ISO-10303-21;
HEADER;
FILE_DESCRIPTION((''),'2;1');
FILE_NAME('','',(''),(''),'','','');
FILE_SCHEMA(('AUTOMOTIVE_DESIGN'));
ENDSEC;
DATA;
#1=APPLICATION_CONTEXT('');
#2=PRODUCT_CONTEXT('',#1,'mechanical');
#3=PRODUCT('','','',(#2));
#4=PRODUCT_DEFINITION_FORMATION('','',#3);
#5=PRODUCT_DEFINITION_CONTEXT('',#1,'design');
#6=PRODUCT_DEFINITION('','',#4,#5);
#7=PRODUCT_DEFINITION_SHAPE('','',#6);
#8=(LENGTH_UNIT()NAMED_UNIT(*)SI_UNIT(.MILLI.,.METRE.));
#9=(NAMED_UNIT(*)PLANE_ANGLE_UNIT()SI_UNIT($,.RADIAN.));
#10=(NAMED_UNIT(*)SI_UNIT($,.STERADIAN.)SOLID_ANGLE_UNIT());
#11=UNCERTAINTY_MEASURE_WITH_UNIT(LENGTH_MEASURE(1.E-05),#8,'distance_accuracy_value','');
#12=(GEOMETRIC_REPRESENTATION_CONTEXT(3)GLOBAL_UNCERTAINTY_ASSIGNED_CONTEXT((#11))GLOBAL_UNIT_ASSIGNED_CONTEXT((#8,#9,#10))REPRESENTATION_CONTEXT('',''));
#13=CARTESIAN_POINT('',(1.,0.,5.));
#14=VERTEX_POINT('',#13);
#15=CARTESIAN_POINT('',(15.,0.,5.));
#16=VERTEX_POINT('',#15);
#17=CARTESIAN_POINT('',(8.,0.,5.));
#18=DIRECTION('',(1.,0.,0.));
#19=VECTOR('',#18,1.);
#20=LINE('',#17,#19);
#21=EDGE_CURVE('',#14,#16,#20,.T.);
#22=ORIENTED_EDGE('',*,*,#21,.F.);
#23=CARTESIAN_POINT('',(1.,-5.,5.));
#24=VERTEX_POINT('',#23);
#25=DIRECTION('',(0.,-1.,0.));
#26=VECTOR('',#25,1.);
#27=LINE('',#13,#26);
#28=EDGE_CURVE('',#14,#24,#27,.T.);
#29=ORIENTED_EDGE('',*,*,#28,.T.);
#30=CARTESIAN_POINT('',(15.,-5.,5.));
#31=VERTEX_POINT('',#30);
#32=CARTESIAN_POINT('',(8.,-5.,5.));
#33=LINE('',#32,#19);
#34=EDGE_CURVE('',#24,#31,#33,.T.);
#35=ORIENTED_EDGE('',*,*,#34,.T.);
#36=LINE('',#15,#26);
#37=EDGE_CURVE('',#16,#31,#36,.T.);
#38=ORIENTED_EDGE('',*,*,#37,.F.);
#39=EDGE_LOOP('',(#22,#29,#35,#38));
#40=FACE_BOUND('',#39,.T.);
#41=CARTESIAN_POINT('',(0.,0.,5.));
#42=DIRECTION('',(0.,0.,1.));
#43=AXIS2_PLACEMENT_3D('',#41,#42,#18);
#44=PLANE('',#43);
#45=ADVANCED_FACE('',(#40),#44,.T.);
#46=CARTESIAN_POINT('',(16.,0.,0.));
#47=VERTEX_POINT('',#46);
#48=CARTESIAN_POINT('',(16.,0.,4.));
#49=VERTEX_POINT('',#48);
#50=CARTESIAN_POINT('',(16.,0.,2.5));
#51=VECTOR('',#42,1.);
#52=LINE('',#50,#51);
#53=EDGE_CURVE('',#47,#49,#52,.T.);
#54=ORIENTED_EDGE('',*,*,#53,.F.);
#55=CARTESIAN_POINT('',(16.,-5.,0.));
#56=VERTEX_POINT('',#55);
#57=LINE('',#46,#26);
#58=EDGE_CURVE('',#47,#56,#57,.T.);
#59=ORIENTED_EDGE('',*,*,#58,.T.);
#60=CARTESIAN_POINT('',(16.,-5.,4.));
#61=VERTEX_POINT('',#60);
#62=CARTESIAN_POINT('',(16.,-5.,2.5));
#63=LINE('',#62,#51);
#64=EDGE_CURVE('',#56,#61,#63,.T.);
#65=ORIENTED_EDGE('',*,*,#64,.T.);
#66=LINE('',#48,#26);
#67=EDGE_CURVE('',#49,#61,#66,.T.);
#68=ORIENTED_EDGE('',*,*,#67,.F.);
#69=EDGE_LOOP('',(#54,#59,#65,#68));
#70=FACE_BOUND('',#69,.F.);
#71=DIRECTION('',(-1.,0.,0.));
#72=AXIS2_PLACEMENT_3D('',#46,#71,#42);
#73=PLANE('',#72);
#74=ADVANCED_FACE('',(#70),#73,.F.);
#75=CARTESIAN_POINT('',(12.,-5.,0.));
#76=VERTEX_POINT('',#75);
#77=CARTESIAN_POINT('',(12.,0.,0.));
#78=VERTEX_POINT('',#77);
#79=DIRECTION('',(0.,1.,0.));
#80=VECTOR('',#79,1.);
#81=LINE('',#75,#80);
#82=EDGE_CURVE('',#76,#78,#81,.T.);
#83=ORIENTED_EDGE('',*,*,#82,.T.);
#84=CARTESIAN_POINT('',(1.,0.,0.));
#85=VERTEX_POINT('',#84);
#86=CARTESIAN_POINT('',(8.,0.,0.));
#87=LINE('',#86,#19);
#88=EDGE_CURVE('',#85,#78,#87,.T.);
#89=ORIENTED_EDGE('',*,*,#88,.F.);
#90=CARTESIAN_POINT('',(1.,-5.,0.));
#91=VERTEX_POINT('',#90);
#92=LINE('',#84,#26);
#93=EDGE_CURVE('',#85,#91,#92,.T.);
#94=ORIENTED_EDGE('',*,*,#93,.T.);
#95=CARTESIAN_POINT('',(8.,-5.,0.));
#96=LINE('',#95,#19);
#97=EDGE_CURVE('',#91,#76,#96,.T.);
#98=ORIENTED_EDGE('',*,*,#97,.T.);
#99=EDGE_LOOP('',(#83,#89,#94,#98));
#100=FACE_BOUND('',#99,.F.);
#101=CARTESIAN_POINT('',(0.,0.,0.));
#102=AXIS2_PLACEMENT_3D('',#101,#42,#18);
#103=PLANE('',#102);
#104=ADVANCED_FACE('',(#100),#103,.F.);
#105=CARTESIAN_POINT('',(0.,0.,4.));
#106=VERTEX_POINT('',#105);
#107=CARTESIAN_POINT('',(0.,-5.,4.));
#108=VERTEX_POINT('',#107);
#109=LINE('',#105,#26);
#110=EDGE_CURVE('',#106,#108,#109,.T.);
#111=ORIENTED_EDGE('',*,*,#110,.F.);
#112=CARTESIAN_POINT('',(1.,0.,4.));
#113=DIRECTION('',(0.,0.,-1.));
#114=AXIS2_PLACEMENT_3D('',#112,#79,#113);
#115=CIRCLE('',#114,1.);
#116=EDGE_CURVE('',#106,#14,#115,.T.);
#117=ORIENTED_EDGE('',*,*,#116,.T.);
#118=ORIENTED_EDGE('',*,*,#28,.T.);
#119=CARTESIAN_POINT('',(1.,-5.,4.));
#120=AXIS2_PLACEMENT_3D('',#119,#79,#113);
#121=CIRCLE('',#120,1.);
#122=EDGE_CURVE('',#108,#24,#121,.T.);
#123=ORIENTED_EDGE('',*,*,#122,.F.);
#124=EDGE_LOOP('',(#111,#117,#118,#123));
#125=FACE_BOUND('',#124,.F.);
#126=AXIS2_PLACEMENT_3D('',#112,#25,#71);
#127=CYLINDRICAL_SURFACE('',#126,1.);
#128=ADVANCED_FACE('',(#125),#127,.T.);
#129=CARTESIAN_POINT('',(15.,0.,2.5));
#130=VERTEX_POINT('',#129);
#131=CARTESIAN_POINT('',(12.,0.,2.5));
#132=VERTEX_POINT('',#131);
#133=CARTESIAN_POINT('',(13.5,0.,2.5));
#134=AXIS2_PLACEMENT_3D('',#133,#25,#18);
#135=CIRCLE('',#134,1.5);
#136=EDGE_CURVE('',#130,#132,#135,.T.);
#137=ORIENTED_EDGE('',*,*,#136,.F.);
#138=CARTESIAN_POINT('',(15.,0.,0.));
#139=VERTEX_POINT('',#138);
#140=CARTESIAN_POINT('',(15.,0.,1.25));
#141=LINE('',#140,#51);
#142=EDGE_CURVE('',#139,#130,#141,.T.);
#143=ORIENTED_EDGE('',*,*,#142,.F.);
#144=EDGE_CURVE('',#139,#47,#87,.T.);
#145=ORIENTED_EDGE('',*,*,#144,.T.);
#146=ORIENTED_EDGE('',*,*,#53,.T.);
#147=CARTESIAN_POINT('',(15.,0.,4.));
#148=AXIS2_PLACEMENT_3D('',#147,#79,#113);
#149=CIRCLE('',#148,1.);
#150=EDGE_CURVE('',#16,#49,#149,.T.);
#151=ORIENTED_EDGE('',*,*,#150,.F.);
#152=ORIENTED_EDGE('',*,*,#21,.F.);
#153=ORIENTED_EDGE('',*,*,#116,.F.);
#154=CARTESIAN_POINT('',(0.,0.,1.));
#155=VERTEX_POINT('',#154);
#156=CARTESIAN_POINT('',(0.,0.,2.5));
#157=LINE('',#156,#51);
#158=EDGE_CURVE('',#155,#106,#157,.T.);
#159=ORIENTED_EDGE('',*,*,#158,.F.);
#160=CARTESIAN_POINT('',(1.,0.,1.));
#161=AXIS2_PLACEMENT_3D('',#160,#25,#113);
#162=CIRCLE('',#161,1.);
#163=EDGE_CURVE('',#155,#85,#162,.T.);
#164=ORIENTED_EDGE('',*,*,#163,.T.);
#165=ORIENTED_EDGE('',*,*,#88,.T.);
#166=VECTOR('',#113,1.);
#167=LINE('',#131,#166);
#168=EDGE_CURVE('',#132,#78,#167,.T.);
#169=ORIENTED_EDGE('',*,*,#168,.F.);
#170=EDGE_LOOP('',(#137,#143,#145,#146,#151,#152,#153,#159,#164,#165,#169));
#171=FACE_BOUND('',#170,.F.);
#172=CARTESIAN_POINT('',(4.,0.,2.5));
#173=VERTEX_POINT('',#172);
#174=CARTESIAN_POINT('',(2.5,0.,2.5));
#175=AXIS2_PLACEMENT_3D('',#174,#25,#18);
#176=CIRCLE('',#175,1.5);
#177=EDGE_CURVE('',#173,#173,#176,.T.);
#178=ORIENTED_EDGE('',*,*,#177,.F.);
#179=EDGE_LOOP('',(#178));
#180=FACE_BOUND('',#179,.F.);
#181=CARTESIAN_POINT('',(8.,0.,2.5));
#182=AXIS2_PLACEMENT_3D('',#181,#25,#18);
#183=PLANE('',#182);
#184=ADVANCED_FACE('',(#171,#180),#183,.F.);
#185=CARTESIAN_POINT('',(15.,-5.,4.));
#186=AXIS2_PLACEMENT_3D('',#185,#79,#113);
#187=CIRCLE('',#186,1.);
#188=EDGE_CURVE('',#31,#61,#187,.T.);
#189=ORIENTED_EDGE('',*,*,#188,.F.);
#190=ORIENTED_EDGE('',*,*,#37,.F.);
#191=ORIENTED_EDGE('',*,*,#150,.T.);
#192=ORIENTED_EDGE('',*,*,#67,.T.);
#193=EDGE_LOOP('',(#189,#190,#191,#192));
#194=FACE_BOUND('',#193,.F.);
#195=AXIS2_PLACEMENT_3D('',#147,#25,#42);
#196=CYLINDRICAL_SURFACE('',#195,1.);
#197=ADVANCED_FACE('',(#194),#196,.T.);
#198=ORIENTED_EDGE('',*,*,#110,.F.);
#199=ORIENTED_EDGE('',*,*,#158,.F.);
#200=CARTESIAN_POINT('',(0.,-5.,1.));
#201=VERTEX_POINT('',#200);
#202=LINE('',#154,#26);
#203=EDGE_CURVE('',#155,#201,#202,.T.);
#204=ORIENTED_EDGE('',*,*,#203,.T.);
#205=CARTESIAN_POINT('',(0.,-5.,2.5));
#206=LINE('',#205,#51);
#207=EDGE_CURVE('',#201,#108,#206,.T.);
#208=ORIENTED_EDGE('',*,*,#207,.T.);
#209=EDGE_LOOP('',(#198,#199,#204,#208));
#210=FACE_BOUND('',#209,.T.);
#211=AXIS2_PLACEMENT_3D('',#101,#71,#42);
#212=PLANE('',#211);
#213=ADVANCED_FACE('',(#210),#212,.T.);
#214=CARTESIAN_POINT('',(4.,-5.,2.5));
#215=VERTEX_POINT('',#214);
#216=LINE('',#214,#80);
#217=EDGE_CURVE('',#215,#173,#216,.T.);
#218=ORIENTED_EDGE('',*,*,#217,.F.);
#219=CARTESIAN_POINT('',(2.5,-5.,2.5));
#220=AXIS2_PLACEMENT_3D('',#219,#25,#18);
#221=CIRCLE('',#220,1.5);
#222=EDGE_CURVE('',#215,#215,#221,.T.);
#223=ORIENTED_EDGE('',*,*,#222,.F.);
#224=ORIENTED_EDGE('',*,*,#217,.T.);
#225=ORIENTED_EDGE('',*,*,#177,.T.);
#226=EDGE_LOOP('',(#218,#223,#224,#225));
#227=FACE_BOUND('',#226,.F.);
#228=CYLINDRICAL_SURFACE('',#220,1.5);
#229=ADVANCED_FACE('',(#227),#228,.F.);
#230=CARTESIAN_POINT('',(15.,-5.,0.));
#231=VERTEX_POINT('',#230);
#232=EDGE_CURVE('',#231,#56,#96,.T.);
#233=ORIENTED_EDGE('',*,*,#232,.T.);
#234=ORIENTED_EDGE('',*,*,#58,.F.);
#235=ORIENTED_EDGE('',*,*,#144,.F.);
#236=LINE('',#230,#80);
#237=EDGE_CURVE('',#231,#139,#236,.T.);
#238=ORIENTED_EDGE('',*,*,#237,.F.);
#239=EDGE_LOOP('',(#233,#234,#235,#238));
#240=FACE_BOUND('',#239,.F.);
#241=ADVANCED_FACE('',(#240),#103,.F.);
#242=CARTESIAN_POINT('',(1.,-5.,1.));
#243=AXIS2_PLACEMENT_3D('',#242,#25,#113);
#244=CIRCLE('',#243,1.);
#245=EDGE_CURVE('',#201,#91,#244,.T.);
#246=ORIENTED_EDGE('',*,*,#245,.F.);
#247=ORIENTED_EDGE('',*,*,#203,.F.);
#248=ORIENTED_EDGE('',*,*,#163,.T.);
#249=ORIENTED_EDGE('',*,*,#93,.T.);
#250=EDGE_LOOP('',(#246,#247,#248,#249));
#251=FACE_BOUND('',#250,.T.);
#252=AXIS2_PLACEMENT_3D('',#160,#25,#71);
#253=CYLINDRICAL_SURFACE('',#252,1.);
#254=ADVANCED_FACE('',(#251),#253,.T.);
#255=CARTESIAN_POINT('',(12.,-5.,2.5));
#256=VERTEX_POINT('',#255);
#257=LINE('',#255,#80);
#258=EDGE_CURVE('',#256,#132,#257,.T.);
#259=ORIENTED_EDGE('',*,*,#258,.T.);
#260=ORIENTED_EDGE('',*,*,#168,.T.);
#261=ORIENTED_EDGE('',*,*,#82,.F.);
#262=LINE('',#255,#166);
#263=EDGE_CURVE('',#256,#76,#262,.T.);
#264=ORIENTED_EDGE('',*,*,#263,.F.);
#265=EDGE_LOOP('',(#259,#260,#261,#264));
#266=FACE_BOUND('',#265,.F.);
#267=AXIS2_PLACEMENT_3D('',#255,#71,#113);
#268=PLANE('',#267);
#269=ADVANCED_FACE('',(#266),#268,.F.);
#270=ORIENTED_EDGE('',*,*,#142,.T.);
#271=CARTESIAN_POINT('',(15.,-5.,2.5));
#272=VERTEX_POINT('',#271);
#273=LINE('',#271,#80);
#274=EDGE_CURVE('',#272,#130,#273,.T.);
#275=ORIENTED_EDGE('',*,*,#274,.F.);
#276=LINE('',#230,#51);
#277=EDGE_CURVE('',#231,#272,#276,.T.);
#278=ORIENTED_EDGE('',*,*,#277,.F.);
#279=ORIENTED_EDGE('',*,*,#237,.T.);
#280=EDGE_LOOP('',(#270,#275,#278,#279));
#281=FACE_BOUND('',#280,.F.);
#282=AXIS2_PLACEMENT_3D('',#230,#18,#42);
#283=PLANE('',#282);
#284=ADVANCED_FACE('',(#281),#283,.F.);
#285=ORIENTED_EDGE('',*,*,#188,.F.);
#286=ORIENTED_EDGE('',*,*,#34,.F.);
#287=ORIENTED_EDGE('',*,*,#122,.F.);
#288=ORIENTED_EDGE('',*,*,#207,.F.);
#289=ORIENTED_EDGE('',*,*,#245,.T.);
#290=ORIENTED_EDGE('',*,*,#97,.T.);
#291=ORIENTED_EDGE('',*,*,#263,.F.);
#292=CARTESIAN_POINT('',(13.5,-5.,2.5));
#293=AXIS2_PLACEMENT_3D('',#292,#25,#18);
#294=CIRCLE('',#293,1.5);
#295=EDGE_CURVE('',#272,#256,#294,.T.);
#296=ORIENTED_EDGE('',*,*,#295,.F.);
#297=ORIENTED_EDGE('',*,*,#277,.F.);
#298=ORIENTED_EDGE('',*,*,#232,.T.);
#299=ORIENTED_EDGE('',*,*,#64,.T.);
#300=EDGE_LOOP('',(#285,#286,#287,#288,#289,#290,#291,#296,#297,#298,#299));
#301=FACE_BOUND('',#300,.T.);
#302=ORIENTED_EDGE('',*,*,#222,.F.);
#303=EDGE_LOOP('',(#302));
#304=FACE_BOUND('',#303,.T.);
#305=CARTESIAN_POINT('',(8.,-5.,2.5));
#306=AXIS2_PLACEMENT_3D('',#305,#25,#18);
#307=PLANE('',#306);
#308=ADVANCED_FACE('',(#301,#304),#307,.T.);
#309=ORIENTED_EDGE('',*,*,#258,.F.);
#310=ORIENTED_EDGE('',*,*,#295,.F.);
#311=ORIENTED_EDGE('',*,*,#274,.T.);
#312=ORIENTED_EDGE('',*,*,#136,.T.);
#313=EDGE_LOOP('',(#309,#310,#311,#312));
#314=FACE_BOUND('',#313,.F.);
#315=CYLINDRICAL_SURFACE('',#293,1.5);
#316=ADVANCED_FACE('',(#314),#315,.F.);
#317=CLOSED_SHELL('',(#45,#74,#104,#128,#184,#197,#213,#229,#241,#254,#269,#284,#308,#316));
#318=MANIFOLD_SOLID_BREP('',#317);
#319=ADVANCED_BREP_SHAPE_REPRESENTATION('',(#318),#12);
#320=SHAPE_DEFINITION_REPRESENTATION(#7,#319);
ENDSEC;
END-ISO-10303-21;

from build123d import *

# Parameters (mm, degrees)
F0_W     = 16
F0_H     = 5
F1_DEPTH = 5
F2_R     = 1.5
F3_DEPTH = 5.001
F4_R     = 1


with BuildPart() as f1:
    # F0 (on Front) → F1 (new body)
    with BuildSketch(Plane.XZ):
        with Locations((8, 2.5)):
            Rectangle(F0_W, F0_H)
    extrude(amount=F1_DEPTH)

    # F2 (on face) → F3 (cut, through all)
    with BuildSketch(Plane.XZ.offset(5)):
        with Locations((2.5, 2.5)):
            Circle(F2_R)
        with BuildLine():
            Line((15, 0), (15, 2.5))
            ThreePointArc((15, 2.5), (13.5, 4), (12, 2.5))
            Line((12, 2.5), (12, 0))
            Line((12, 0), (15, 0))
        make_face()
    extrude(amount=-F3_DEPTH, mode=Mode.SUBTRACT)

    # F4
    f4_edges = [f1.edges().sort_by_distance(p)[0] for p in [
        (0, -2.5, 0),
        (0, -2.5, 5),
        (16, -2.5, 5),
    ]]
    fillet(f4_edges, radius=F4_R)


solid = f1.part
